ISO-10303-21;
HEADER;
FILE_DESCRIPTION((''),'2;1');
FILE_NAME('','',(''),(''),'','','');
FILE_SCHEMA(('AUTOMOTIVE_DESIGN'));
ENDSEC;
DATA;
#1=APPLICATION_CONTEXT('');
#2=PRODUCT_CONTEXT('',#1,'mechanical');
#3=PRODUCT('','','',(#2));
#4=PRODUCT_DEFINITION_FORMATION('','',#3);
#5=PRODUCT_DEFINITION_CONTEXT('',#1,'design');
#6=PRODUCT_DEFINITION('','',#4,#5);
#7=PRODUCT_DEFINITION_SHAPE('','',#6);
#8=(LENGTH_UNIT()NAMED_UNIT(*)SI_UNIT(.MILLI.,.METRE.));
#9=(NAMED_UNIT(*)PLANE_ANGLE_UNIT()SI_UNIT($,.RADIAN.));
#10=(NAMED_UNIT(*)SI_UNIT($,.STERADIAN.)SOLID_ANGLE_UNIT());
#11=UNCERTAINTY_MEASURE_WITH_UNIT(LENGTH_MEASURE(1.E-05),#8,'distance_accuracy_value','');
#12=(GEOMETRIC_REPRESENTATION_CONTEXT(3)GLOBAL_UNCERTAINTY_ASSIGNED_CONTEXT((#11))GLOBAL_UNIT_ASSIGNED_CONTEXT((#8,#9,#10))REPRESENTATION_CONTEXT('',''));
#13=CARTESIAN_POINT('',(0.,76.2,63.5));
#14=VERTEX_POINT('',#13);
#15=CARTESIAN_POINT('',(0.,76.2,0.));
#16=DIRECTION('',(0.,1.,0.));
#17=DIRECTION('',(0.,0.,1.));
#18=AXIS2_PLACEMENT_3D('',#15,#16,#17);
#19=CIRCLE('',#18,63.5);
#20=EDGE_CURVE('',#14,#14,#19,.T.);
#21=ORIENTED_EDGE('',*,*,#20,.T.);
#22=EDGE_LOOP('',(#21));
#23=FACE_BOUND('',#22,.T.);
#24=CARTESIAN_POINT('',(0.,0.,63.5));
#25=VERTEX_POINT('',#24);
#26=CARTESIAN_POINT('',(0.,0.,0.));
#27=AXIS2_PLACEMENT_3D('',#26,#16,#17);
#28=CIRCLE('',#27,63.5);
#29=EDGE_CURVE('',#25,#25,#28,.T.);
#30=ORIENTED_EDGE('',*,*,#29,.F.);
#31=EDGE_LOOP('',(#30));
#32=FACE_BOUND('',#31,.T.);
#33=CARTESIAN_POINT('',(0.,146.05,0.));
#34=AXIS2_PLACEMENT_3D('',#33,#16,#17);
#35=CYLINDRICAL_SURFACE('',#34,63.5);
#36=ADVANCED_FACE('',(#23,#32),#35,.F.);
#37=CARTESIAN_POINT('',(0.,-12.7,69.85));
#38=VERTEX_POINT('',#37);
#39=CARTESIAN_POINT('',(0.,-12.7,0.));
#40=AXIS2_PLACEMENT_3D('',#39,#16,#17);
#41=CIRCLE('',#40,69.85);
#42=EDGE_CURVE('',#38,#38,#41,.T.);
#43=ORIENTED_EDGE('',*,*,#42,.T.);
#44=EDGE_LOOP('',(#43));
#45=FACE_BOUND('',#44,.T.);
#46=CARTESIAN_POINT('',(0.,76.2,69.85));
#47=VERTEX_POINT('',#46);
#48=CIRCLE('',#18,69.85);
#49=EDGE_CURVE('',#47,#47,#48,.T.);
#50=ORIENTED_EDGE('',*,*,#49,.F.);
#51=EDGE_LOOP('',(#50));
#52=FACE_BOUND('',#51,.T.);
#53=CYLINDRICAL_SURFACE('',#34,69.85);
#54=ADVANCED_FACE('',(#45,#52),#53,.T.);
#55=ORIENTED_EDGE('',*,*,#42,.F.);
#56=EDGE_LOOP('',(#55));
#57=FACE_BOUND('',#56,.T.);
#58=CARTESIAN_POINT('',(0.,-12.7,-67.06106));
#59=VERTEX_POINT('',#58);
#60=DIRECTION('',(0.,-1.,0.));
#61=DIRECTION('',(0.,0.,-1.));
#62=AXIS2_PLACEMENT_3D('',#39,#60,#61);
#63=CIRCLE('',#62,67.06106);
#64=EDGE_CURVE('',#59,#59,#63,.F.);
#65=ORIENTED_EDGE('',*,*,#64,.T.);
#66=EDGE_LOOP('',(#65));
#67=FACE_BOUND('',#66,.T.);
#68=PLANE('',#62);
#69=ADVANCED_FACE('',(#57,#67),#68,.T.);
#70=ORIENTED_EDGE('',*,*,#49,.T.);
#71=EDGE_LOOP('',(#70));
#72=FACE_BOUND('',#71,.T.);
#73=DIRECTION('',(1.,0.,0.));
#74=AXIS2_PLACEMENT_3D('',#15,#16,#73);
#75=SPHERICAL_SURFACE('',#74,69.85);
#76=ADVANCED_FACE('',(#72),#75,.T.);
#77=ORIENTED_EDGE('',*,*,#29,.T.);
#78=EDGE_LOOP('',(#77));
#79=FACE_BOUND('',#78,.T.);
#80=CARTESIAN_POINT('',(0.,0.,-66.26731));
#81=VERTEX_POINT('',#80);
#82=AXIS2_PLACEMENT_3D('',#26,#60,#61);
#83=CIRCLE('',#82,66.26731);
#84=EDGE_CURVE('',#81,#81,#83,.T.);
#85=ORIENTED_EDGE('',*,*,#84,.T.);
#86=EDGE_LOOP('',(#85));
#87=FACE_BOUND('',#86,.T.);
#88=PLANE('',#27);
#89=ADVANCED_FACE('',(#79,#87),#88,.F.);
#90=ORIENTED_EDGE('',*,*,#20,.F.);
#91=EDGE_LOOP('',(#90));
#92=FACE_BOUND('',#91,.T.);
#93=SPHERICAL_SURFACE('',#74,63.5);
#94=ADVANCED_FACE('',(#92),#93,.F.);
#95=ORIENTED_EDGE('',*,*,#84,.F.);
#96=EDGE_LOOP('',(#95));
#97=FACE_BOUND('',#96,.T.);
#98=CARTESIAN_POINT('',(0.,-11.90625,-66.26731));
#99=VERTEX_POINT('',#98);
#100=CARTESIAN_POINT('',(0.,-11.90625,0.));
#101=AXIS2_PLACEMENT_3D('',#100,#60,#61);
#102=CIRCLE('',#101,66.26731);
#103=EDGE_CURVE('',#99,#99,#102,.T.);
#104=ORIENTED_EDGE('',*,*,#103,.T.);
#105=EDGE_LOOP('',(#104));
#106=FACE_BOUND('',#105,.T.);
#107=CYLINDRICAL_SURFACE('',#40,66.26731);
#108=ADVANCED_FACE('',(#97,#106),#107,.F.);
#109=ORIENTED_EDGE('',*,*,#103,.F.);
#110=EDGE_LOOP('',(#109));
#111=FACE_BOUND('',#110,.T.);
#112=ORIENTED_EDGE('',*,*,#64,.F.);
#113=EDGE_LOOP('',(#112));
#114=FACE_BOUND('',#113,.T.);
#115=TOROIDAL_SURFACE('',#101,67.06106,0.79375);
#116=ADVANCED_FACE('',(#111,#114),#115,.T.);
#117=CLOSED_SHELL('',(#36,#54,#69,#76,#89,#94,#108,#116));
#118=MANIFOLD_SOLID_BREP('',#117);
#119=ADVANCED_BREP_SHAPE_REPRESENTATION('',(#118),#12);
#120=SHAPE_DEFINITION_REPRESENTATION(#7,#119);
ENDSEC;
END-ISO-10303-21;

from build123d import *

# Parameters (mm, degrees)
SKETCH1_W           = 3.175
SKETCH1_H           = 12.7
SKETCH3_R           = 67.061060388
SKETCH3_R_2         = 66.267310388
BOSS_EXTRUDE1_DEPTH = 12.7
FILLET2_R           = 0.79375


with BuildPart() as part:
    # Sketch1 → Revolve3 (revolve)
    with BuildSketch(Plane.XY):
        with BuildLine():
            Line((69.85, 0), (69.85, 76.2))
            ThreePointArc((69.85, 76.2), (49.391408666, 125.591408666), (0, 146.05))
            Line((0, 146.05), (0, 139.7))
            ThreePointArc((0, 139.7), (44.901280605, 121.101280605), (63.5, 76.2))
            Line((63.5, 76.2), (63.5, 0))
            Line((63.5, 0), (69.85, 0))
        make_face()
        with Locations((68.2625, -6.35)):
            Rectangle(SKETCH1_W, SKETCH1_H)
    revolve(axis=Axis((0, 146.05, 0), (0, -1, 0)))

    # Sketch3 → Boss-Extrude1 (add)
    with BuildSketch(Plane(origin=(0, 0, 0), x_dir=(-1, 0, 0), z_dir=(0, -1, 0))):
        Circle(SKETCH3_R)
        Circle(SKETCH3_R_2, mode=Mode.SUBTRACT)
    extrude(amount=BOSS_EXTRUDE1_DEPTH)

    # Fillet2
    fillet2_edges = [part.edges().sort_by_distance(p)[0] for p in [
        (66.267310388, -12.7, 0),
    ]]
    fillet(fillet2_edges, radius=FILLET2_R)


solid = part.part
